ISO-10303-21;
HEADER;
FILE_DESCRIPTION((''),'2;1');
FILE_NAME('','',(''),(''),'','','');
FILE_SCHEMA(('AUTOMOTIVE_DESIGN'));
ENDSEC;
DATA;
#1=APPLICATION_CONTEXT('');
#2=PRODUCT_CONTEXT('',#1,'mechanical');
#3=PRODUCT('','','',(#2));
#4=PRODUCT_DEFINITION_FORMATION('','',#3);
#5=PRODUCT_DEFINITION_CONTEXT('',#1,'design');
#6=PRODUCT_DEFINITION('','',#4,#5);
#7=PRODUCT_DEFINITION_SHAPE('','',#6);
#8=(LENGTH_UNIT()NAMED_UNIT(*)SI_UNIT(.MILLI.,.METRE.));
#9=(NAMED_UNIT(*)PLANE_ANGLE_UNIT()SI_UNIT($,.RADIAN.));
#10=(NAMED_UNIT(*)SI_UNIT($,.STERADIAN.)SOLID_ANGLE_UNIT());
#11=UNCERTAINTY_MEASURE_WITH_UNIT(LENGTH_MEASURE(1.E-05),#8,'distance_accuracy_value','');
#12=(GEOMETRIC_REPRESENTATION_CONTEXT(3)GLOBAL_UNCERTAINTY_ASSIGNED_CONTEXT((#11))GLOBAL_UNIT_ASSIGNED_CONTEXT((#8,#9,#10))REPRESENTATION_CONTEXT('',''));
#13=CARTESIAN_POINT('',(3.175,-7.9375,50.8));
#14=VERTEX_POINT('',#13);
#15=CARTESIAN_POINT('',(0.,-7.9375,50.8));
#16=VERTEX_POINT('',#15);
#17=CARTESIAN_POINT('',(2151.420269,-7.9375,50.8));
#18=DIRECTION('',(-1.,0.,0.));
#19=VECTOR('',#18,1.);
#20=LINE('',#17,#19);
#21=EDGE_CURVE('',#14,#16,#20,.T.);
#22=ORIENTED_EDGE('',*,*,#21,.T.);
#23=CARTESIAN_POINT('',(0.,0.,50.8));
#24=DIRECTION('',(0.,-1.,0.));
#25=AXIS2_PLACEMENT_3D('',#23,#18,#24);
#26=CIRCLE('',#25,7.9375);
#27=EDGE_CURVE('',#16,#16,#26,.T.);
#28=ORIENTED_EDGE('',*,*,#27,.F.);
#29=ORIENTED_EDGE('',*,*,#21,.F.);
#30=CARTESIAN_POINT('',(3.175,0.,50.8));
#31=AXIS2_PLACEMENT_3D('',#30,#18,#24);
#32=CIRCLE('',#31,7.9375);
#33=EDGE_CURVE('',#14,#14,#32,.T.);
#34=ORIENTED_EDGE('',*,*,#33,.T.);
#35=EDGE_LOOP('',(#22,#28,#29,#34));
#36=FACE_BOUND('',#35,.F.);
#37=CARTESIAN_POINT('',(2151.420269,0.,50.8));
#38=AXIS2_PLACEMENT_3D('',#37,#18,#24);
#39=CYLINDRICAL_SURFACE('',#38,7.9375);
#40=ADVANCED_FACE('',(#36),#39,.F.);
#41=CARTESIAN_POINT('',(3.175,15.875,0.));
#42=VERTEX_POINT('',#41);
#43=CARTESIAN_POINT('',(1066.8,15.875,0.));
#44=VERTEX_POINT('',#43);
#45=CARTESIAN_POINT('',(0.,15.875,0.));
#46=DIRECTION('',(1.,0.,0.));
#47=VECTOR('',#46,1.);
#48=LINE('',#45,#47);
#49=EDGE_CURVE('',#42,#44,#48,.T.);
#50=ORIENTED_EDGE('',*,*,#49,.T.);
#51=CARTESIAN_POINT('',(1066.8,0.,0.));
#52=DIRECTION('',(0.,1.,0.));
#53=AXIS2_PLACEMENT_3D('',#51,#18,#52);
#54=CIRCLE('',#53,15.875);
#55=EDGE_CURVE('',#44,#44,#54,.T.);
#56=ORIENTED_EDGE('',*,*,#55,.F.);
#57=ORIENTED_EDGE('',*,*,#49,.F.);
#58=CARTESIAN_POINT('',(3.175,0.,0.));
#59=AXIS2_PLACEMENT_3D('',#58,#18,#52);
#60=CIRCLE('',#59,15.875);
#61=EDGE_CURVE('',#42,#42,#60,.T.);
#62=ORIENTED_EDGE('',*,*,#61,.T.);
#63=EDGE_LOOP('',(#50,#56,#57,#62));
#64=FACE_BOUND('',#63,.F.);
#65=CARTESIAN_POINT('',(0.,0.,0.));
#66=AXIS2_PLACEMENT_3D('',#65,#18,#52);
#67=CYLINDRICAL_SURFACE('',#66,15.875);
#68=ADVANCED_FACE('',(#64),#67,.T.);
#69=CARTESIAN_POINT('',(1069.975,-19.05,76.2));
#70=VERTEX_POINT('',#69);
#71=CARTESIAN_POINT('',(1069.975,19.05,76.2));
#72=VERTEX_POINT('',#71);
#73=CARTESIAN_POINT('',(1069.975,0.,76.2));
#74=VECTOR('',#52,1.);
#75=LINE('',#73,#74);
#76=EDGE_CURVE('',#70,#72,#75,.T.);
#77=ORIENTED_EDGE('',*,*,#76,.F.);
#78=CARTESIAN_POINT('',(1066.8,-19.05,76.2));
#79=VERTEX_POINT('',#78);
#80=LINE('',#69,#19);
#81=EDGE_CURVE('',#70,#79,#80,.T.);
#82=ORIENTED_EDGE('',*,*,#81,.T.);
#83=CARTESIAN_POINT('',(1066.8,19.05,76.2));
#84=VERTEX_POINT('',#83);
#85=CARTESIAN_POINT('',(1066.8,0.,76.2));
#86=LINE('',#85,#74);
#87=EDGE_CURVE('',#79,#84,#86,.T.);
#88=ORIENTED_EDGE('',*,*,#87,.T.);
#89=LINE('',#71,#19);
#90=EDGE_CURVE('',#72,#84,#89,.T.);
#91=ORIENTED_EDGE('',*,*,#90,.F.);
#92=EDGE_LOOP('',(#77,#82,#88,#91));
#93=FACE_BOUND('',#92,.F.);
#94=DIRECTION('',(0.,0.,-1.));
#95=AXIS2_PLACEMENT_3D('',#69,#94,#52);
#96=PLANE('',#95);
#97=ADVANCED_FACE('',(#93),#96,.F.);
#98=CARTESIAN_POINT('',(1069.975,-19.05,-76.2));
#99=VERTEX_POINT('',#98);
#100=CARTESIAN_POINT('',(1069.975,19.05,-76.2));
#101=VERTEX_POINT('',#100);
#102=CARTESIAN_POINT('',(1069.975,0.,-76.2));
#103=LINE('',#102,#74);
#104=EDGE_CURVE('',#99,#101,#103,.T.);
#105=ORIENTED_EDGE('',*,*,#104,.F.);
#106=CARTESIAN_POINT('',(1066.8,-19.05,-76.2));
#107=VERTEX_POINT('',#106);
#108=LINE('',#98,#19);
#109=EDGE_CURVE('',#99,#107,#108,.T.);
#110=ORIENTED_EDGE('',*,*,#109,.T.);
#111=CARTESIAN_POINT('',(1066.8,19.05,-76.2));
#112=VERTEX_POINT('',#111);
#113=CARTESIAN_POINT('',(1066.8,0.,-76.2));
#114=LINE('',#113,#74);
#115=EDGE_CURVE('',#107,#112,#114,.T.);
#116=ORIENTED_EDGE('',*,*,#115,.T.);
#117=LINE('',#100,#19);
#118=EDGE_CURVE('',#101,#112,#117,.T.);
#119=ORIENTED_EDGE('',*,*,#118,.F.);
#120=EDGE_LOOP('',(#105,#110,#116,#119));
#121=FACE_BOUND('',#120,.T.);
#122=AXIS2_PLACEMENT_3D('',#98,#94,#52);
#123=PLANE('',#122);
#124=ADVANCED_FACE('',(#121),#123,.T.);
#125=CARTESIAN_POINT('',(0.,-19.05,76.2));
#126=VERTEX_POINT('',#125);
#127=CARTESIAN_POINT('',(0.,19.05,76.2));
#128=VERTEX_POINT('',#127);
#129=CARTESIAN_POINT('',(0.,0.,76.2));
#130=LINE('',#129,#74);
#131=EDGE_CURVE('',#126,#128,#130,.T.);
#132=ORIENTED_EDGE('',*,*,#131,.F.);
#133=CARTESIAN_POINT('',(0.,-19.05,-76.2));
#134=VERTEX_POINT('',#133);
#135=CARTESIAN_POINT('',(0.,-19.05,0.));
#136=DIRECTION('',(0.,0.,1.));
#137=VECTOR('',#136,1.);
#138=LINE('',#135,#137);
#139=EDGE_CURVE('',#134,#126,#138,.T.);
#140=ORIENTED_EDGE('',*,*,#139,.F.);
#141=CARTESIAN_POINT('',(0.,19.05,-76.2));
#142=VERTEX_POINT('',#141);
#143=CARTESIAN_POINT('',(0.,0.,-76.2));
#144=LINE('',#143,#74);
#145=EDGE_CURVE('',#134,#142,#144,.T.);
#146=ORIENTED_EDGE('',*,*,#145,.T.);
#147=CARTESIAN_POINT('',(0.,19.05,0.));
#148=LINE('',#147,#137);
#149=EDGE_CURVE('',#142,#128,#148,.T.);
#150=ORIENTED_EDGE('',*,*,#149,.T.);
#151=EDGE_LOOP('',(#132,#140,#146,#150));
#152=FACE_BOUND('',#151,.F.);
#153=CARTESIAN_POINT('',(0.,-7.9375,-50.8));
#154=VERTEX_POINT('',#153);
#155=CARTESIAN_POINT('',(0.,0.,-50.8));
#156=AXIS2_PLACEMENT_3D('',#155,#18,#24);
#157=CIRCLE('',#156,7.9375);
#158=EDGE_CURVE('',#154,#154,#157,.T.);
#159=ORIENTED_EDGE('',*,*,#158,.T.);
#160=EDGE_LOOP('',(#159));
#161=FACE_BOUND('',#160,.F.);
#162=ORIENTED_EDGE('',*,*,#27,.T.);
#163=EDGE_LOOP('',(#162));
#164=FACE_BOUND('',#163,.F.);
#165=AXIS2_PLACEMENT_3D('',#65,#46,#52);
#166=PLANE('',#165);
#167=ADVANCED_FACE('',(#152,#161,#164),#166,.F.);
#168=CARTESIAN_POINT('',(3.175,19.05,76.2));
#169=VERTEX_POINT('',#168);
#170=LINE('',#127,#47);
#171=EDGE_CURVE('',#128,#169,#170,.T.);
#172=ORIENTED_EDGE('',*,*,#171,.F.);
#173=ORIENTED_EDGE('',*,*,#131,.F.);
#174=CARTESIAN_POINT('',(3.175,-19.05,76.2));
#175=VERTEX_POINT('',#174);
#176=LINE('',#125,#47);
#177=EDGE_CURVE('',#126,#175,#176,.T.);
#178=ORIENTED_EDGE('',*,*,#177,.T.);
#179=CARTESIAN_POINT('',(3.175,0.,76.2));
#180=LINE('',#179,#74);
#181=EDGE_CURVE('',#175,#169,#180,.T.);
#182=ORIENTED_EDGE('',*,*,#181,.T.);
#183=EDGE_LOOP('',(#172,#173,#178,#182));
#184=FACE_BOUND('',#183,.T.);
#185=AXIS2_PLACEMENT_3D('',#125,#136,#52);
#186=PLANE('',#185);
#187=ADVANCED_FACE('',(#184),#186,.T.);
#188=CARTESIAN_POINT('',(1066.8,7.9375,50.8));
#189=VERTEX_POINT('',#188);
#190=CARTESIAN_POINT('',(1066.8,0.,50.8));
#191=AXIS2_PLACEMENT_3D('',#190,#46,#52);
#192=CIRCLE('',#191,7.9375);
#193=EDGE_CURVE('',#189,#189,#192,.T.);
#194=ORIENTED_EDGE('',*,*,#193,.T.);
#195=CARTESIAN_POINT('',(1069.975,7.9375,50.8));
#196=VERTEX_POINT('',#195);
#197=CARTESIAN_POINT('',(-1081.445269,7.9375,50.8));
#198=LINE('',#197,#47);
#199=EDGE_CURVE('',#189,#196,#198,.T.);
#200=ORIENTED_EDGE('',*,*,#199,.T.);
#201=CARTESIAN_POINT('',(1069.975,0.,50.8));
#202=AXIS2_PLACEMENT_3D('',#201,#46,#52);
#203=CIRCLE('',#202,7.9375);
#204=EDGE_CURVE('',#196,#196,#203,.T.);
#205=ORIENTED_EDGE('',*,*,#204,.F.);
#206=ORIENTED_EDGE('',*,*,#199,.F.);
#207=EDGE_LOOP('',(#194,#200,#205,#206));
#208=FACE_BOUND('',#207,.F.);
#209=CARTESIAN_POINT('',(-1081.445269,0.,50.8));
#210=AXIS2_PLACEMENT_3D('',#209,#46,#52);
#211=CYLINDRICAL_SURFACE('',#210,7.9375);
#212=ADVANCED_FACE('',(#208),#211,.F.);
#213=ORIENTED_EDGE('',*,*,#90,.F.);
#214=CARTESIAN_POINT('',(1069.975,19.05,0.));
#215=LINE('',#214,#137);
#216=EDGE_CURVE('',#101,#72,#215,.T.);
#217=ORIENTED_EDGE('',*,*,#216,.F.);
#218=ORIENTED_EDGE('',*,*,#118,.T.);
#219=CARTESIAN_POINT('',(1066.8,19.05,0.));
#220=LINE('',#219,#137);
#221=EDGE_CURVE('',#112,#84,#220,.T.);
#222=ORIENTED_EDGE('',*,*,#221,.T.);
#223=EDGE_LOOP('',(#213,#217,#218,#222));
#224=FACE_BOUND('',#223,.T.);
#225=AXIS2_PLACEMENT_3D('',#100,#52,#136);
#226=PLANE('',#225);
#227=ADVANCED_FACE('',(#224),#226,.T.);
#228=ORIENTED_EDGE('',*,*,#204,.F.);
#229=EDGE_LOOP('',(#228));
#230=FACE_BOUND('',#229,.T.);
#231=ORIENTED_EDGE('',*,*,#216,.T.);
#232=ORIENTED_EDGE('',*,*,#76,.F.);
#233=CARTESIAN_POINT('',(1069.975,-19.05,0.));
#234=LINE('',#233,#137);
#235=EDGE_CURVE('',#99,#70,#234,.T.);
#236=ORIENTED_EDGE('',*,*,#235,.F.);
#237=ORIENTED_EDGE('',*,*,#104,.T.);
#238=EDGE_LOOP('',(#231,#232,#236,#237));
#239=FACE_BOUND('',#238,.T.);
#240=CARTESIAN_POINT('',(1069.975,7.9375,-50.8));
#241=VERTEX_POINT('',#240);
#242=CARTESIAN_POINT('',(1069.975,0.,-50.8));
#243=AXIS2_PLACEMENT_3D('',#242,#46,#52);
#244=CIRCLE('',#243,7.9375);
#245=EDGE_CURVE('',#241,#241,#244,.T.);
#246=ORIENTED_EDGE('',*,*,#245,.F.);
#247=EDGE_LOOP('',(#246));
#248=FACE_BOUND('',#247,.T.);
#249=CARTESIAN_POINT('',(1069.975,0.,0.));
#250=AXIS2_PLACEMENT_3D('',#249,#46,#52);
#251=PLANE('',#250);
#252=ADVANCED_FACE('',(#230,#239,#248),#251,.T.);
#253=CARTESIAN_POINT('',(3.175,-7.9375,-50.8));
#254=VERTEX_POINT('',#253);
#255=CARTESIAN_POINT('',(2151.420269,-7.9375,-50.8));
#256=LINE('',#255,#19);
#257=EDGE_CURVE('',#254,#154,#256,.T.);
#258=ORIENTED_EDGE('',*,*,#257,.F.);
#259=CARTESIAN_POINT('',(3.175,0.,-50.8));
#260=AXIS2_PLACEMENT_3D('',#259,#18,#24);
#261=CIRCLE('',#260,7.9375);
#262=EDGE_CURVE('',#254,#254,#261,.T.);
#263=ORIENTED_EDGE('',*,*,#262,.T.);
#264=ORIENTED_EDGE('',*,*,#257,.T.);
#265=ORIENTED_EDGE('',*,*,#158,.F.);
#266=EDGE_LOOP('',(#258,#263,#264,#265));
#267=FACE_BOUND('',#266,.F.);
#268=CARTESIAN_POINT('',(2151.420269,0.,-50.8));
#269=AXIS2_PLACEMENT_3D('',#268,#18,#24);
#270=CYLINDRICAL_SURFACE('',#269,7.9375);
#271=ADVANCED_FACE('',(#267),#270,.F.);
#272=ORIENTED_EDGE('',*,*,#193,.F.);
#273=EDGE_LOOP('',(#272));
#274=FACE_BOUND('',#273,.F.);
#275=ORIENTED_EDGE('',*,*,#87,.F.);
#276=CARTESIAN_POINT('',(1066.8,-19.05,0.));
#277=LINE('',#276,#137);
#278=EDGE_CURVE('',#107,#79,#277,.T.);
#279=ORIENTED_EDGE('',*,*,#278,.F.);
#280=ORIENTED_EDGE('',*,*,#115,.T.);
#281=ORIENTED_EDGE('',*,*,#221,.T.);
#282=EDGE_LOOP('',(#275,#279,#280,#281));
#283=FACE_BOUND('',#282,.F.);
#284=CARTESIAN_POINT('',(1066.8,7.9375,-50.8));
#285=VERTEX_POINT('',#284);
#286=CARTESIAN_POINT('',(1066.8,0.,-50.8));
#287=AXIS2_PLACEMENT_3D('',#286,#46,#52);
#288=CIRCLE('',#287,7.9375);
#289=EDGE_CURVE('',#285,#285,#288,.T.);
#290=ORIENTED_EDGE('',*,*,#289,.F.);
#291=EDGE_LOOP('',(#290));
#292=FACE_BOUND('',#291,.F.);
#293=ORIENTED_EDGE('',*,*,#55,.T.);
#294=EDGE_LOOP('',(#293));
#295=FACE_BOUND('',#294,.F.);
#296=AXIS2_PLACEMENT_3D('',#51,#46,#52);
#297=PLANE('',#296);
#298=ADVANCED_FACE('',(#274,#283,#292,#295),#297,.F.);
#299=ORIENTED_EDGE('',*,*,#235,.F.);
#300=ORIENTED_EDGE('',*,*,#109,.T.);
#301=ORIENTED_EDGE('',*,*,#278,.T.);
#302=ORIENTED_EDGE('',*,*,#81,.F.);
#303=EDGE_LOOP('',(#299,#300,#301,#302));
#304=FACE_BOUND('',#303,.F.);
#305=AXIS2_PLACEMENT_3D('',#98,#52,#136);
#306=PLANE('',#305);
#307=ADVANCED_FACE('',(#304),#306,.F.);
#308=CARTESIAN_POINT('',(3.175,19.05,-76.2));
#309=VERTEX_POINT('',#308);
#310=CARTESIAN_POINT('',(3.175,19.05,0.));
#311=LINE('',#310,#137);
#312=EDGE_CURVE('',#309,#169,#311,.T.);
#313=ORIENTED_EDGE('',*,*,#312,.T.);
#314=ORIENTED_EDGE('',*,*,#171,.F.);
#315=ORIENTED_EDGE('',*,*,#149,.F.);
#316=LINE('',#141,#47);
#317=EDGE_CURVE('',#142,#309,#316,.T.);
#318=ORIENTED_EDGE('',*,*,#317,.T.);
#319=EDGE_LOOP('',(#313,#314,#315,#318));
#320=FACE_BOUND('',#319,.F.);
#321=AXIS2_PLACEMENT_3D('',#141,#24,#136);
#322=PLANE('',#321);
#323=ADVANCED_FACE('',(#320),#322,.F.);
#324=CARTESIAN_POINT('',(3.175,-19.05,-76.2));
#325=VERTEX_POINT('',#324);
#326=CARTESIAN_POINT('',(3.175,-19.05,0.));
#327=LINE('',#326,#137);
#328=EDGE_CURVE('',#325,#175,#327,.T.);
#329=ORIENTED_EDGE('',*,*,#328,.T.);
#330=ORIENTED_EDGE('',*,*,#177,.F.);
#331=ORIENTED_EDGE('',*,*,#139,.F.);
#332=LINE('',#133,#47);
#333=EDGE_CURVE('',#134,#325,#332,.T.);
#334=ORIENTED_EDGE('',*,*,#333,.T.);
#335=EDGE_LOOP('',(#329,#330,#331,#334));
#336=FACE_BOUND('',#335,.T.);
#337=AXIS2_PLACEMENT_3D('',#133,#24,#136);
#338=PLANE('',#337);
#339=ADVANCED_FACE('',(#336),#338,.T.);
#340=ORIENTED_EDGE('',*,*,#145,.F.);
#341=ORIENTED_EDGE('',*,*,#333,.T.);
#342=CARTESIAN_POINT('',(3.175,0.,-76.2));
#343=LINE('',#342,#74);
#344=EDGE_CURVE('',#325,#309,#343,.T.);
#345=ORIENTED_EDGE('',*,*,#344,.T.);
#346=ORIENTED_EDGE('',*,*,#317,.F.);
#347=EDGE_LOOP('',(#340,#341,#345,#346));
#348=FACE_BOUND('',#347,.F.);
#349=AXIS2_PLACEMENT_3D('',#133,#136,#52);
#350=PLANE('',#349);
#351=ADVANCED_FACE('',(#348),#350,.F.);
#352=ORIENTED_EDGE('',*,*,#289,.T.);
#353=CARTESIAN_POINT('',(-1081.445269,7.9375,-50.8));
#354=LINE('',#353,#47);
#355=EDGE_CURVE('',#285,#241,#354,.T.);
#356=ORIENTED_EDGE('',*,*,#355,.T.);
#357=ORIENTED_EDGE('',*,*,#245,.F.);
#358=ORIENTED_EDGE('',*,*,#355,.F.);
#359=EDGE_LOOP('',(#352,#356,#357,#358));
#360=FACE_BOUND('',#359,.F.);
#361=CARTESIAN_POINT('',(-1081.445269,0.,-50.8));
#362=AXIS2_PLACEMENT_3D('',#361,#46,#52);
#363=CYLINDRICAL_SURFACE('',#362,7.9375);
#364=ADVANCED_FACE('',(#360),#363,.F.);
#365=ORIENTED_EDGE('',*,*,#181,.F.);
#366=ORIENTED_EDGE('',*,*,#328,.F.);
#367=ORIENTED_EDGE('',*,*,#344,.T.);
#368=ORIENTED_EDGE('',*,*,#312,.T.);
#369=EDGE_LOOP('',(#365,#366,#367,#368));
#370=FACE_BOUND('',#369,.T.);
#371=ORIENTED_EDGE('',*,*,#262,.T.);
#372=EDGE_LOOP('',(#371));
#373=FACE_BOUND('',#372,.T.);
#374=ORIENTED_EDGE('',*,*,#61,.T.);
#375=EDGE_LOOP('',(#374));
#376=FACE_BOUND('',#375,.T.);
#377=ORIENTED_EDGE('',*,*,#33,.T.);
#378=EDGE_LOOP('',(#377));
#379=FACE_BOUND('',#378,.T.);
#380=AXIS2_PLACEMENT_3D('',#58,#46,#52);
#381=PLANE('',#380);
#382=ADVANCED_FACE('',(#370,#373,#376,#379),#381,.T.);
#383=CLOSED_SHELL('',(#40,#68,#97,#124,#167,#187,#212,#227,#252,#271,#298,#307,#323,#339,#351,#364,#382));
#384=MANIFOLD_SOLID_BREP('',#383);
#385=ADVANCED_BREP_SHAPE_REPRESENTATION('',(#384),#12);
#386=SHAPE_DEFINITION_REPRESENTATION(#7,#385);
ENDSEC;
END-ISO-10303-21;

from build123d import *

# Parameters (mm, degrees)
F0_R     = 15.875
F1_DEPTH = 1069.975
F2_W     = 38.1
F2_H     = 152.4
F3_DEPTH = 3.175
F5_D     = 15.875
F6_W     = 38.1
F6_H     = 152.4
F7_DEPTH = 3.175
F9_D     = 15.875


with BuildPart() as f1:
    # F0 (on Right) → F1 (new body)
    with BuildSketch(Plane.YZ):
        Circle(F0_R)
    extrude(amount=F1_DEPTH)

    # F2 (on Right) → F3 (join)
    with BuildSketch(Plane.YZ):
        Rectangle(F2_W, F2_H)
    extrude(amount=F3_DEPTH)

    # F5 (through all)
    with Locations(Plane.YZ.offset(1069.975)):
        with Locations((0, 50.8), (0, -50.8)):
            Hole(F5_D / 2)

    # F6 (on face) → F7 (join)
    with BuildSketch(Plane.YZ.offset(1069.975)):
        Rectangle(F6_W, F6_H)
    extrude(amount=-F7_DEPTH)

    # F9 (through all)
    with Locations(Plane(origin=(0, 0, 0), x_dir=(0, -1, 0), z_dir=(-1, 0, 0))):
        with Locations((0, 50.8), (0, -50.8)):
            Hole(F9_D / 2)


solid = f1.part
